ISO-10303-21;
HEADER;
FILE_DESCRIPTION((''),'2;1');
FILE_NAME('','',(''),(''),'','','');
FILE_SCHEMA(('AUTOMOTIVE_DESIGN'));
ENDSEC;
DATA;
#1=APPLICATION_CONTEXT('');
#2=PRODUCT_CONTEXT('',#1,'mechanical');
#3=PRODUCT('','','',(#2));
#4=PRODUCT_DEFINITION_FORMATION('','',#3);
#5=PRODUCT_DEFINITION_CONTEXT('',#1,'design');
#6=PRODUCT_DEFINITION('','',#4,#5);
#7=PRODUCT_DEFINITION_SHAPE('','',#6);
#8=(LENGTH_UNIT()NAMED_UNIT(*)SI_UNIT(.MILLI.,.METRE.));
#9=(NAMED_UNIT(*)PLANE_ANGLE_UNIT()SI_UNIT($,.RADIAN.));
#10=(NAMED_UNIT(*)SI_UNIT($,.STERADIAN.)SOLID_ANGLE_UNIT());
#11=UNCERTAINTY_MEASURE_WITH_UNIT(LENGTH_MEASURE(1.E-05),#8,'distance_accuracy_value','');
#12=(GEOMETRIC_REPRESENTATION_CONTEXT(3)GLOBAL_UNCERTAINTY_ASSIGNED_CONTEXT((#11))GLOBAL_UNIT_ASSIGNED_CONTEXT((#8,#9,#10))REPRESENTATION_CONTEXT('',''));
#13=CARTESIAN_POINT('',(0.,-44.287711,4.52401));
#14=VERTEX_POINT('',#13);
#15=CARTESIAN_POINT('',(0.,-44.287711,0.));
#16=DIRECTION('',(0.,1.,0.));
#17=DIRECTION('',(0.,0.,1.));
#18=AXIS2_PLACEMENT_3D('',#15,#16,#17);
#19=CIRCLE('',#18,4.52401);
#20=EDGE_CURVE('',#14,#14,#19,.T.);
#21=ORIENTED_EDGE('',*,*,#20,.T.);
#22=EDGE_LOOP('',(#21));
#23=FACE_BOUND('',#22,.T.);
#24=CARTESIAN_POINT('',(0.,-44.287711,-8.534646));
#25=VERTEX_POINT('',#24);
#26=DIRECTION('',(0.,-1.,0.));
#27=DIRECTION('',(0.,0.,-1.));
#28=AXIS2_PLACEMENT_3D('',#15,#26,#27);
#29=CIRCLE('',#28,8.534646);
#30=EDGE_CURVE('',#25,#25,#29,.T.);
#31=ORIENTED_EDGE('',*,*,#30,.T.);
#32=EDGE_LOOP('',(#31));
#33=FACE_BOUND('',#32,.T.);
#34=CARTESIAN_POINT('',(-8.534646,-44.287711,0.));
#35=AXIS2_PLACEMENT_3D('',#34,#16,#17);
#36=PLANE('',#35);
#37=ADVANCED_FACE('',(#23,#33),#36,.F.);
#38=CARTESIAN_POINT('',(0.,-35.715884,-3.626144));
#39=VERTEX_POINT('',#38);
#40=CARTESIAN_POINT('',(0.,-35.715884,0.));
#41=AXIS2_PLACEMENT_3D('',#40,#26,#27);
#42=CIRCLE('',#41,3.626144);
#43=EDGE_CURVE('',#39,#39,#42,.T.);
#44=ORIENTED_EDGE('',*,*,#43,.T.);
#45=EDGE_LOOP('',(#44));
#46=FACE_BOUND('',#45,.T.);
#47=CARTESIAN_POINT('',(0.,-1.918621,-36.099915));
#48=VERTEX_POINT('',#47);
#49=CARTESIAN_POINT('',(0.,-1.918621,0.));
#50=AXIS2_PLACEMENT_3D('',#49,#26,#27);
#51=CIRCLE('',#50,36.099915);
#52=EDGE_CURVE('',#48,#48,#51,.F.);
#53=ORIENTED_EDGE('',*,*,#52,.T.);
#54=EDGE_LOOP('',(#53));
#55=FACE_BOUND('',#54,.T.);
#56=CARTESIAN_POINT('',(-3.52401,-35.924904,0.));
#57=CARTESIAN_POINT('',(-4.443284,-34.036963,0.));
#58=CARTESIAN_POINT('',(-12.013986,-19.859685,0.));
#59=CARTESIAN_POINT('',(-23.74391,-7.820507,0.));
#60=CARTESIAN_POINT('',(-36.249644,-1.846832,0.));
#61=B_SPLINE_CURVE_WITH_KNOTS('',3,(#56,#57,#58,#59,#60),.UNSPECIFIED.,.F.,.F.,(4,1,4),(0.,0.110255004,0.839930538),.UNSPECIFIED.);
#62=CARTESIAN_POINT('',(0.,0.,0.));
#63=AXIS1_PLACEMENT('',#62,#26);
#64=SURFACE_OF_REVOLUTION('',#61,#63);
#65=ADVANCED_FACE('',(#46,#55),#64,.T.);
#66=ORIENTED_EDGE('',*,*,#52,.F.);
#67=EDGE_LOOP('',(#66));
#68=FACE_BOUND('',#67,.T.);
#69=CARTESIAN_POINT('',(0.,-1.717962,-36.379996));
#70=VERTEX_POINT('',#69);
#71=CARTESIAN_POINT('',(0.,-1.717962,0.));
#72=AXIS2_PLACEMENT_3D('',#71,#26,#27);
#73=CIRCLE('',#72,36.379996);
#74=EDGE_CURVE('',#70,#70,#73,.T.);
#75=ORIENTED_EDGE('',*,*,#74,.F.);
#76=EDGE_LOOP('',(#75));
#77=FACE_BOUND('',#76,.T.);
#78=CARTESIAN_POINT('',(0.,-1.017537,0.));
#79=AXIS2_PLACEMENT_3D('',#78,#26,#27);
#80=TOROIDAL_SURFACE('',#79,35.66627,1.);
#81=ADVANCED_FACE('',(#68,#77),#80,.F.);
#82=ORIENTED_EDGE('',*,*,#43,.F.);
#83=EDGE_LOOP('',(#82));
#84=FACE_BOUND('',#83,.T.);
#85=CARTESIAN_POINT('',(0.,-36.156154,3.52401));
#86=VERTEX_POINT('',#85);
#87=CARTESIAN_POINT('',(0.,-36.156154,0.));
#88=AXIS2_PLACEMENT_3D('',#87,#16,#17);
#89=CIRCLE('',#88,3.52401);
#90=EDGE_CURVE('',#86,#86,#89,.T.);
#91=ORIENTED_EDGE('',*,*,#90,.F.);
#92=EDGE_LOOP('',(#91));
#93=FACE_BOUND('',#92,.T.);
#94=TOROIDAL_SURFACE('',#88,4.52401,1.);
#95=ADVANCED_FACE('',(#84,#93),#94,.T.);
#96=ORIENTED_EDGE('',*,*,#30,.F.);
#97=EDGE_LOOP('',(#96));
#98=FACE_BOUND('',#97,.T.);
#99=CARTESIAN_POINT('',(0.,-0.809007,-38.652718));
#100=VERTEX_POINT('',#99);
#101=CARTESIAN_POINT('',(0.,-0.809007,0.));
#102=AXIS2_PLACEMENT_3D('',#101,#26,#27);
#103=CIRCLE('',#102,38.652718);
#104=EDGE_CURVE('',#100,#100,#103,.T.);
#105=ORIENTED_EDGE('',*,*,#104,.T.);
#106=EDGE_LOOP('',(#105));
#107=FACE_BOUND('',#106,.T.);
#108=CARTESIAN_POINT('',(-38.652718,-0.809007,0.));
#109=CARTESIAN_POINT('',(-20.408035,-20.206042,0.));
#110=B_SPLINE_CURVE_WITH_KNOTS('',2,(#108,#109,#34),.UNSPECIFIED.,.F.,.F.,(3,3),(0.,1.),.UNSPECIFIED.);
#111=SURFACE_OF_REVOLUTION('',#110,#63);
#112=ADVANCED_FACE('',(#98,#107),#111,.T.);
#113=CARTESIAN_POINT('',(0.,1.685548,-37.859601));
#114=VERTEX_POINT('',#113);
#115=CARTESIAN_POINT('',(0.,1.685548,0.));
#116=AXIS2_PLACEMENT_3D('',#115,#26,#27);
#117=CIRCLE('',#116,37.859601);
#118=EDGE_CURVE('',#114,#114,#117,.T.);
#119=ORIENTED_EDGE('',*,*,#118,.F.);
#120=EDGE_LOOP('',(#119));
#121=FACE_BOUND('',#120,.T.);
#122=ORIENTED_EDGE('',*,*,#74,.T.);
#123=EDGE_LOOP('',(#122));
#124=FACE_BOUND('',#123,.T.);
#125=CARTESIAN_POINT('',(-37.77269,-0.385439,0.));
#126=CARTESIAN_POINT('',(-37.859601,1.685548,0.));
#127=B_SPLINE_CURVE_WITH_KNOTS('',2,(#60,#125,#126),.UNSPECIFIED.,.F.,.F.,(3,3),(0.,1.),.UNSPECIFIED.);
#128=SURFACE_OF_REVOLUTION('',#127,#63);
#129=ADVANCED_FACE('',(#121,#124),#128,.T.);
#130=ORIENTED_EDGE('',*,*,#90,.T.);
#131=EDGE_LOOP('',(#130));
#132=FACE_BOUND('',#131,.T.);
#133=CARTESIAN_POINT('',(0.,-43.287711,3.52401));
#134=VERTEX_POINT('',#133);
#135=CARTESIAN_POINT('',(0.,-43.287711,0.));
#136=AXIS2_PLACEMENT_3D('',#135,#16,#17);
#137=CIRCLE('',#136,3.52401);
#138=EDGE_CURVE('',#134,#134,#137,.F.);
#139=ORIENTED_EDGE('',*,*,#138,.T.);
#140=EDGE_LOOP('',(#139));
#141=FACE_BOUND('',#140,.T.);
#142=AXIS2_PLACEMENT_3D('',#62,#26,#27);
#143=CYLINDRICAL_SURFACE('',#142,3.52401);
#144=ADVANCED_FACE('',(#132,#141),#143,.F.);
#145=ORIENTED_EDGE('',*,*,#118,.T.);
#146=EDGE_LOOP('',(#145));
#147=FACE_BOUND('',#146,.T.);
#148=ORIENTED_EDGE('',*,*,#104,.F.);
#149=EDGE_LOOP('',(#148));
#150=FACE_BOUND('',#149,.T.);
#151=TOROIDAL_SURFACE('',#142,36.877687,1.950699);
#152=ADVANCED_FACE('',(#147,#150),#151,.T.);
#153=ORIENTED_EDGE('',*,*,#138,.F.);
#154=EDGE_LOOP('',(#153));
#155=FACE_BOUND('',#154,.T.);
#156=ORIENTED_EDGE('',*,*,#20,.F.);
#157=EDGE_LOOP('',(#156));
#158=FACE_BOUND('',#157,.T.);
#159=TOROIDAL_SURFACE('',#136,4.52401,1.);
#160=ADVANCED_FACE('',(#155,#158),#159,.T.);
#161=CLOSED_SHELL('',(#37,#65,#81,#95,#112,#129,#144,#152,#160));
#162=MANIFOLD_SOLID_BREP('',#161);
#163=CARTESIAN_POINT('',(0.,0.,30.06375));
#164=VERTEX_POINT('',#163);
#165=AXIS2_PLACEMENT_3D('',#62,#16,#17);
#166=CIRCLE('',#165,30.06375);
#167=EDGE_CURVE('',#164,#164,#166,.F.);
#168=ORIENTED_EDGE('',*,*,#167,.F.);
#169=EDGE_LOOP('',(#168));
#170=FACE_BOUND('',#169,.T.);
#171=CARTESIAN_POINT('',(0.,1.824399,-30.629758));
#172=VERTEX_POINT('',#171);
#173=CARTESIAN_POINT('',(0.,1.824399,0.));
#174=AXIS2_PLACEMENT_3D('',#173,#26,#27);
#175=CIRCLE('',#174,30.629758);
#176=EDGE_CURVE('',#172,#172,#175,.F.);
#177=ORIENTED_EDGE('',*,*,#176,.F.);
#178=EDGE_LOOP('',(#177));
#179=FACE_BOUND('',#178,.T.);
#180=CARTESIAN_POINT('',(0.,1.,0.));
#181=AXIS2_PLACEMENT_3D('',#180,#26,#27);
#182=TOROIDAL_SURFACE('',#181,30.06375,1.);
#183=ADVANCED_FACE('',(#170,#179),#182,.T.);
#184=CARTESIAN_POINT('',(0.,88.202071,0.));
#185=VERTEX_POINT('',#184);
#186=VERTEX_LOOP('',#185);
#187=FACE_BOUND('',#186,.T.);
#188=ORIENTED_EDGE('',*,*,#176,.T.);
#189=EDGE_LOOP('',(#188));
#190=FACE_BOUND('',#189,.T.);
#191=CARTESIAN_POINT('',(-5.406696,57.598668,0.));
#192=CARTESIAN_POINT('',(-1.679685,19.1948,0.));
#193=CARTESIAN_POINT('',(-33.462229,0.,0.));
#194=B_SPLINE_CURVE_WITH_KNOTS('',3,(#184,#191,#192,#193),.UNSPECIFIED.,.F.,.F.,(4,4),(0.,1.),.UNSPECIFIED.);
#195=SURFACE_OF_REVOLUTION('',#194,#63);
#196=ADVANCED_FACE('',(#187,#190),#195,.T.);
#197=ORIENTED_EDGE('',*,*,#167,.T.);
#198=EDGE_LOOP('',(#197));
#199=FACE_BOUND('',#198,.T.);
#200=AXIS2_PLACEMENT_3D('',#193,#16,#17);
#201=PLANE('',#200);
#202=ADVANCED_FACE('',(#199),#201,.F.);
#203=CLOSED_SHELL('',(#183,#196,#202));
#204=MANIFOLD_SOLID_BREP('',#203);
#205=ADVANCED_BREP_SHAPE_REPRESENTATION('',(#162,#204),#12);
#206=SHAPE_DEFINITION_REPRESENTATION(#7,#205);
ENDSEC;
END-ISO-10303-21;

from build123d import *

# Parameters (mm, degrees)
FILLET2_R = 1
FILLET3_R = 1


with BuildPart() as part:
    # Sketch1 → Revolve1 (revolve)
    with BuildSketch(Plane.XY):
        with BuildLine():
            Line((-33.462228882, 0), (0, 0))
            Line((0, 0), (0, 88.202070694))
            add(Edge.make_bspline(
                [(0, 88.202070694), (-5.406695838, 57.59866809), (-1.679685214, 19.194799647), (-33.462228882, 0)],
                knots=[0, 0, 0, 0, 1, 1, 1, 1], degree=3))
        make_face()
    revolve(axis=Axis((0, 0, 0), (0, 1, 0)))

    # Fillet3
    fillet3_edges = [part.edges().sort_by_distance(p)[0] for p in [
        (33.462228882, 0, 0),
    ]]
    fillet(fillet3_edges, radius=FILLET3_R)


with BuildPart() as body_2:
    # Sketch2 → Revolve3 (revolve)
    with BuildSketch(Plane.XY):
        with BuildLine():
            Line((-8.534646324, -44.287710663), (-3.524009755, -44.287710663))
            Line((-3.524009755, -44.287710663), (-3.524009755, -35.924904385))
            add(Edge.make_bspline(
                [(-36.2496445, -1.846831826), (-23.743909654, -7.82050731), (-12.013985883, -19.859684859), (-4.443283638, -34.036963197), (-3.524009755, -35.924904385)],
                knots=[0, 0, 0, 0, 0.729675534, 0.839930538, 0.839930538, 0.839930538, 0.839930538], degree=3))
            add(Edge.make_bspline(
                [(-36.2496445, -1.846831826), (-37.772690493, -0.385439184), (-37.859600545, 1.685548125)],
                knots=[0, 0, 0, 1, 1, 1], degree=2))
            ThreePointArc((-37.859600545, 1.685548125), (-38.736688816, 0.591049714), (-38.652717905, -0.809007246))
            add(Edge.make_bspline(
                [(-38.652717905, -0.809007246), (-20.408034979, -20.206042361), (-8.534646324, -44.287710663)],
                knots=[0, 0, 0, 1, 1, 1], degree=2))
        make_face()
    revolve(axis=Axis((0, 0, 0), (0, 1, 0)))

    # Fillet2
    fillet2_edges = [body_2.edges().sort_by_distance(p)[0] for p in [
        (36.2496445, -1.846831826, 0),
        (3.524009755, -35.924904385, 0),
        (3.524009755, -44.287710663, 0),
    ]]
    fillet(fillet2_edges, radius=FILLET2_R)


solid = Compound([part.part, body_2.part])
